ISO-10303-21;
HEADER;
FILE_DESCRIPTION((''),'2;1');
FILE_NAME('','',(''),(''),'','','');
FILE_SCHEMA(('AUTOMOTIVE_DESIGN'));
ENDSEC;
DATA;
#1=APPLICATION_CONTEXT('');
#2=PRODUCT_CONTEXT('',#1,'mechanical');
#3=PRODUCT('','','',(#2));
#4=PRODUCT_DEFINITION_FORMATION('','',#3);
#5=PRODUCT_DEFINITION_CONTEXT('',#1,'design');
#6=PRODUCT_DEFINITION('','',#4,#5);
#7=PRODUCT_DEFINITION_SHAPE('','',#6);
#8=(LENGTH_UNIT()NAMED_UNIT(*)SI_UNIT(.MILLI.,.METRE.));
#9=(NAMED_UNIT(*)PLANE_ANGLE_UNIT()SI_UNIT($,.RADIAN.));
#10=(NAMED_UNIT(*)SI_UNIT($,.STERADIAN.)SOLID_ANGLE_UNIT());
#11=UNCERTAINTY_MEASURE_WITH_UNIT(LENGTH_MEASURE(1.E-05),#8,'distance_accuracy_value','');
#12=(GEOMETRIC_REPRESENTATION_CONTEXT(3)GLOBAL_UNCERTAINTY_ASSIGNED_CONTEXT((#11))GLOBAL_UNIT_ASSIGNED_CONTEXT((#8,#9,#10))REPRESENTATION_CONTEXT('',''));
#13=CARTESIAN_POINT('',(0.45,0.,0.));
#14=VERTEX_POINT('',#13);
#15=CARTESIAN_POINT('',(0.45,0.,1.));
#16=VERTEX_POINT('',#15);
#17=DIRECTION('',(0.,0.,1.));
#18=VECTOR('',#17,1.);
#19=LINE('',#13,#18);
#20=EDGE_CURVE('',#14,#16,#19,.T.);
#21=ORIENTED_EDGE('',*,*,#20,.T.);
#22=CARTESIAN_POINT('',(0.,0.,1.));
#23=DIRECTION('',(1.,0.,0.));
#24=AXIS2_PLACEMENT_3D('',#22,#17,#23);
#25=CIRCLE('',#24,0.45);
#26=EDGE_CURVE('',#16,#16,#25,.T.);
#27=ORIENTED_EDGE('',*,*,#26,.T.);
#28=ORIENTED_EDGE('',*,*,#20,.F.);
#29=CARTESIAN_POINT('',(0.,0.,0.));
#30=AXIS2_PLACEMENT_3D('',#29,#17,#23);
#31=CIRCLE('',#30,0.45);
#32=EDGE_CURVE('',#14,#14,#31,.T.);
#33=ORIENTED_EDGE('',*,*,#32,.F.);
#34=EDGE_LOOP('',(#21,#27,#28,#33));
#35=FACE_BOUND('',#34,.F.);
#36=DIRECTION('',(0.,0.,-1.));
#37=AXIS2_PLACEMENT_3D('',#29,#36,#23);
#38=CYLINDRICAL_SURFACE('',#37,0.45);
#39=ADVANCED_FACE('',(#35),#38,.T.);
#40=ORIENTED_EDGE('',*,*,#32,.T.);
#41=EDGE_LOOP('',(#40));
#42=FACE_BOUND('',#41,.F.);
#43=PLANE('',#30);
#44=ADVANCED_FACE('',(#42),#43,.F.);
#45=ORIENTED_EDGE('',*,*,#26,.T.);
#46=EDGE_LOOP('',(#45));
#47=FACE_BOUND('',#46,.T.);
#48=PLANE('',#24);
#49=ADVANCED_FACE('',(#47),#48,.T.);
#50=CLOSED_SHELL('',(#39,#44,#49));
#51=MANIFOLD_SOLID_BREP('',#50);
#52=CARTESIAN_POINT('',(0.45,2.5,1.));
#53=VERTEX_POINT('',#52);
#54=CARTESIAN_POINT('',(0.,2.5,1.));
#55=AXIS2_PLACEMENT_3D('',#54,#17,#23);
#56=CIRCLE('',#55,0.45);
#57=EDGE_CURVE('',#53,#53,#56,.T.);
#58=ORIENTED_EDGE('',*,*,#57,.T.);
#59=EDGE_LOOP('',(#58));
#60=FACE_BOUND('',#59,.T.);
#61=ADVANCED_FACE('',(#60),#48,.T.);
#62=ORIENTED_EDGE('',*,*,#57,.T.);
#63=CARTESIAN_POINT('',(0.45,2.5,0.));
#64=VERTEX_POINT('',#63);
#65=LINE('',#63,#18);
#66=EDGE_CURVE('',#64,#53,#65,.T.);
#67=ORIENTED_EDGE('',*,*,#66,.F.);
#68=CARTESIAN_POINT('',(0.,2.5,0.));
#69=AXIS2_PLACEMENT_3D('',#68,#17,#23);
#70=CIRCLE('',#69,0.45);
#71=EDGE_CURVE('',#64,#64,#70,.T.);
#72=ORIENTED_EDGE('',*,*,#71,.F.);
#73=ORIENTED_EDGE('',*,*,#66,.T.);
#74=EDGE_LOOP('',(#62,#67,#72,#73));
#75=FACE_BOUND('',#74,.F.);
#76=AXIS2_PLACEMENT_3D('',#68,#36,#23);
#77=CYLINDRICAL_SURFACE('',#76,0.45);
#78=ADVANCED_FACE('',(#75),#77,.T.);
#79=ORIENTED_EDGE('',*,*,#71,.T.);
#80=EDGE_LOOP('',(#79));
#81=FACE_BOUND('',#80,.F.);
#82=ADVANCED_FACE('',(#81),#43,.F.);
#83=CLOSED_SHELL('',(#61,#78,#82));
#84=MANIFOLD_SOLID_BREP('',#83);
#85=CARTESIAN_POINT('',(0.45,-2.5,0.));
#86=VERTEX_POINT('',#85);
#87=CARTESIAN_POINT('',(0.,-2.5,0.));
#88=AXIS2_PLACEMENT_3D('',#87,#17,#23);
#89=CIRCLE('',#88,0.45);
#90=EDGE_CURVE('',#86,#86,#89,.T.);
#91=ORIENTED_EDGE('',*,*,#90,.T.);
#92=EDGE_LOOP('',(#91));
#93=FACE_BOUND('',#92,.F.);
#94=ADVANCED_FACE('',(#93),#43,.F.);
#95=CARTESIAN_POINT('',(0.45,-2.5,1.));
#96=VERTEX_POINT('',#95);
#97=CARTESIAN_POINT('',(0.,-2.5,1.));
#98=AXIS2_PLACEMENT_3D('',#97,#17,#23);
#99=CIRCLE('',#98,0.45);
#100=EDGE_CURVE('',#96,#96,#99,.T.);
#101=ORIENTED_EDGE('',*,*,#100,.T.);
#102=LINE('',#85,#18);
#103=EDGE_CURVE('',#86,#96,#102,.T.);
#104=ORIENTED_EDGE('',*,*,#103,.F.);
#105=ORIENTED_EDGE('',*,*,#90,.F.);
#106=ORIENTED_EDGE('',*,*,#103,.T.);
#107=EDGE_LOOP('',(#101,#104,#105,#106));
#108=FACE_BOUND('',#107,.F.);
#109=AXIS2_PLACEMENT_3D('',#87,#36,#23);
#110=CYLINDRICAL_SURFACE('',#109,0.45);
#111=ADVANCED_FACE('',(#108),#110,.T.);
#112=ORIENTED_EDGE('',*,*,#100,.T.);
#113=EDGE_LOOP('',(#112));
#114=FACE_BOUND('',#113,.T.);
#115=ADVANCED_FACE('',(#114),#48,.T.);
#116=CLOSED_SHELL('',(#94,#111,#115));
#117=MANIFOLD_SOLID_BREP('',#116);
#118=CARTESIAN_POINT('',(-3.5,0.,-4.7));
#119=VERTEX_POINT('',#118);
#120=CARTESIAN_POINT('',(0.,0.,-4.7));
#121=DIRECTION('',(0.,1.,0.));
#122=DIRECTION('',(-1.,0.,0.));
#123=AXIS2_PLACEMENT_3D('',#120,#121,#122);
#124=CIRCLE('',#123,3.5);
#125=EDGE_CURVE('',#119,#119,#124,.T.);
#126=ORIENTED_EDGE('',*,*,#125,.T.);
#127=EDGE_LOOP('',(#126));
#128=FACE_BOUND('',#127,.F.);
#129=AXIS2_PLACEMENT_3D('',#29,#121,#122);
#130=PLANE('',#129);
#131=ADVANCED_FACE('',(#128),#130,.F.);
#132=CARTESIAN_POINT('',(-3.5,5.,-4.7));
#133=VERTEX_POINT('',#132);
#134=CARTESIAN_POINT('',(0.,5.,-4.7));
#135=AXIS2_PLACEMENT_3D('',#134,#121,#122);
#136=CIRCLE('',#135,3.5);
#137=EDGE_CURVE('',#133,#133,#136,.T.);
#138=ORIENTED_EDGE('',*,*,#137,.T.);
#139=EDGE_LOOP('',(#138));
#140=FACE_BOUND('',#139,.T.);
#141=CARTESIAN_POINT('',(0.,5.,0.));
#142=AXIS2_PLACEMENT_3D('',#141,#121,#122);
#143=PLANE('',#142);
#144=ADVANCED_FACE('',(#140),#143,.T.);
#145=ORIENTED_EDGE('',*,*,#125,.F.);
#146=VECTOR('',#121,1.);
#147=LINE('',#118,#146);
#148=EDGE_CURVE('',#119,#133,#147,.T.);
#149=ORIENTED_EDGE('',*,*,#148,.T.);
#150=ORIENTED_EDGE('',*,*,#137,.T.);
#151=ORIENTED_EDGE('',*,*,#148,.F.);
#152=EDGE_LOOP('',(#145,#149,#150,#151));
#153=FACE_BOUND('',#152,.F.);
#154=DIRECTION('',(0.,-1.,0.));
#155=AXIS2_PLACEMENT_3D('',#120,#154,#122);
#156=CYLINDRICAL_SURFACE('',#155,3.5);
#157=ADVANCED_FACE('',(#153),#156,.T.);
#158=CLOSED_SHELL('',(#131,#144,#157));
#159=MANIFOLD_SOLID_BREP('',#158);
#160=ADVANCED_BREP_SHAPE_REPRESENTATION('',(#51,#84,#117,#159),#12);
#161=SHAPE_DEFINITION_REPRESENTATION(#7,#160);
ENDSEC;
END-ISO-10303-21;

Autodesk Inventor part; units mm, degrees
ref_plane "YZ Plane" through (0, 0, 0) normal (1, 0, 0) x (0, 1, 0)
ref_plane "XZ Plane" through (0, 0, 0) normal (0, 1, 0) x (-1, 0, 0)
ref_plane "XY Plane" through (0, 0, 0) normal (0, 0, 1) x (1, 0, 0)
sketch "Sketch1" plane through (0, 0, 0) normal (0, 0, 1) x (1, 0, 0)
  circle A0 centre (0, 2.5) radius 0.45
  circle A1 centre (0, -2.5) radius 0.45
  circle A2 centre (0, 0) radius 0.45
  dimension "d1" = 0.9
  dimension "d2" = 0.9
  dimension "d3" = 0.9
  dimension "d4" = 2.5
  dimension "d5" = 2.5
extrude "Extrusion1" add sketch "Sketch1" along normal blind 1
sketch "Sketch2" plane through (0, 0, 0) normal (0, 1, 0) x (-1, 0, 0)
  circle A0 centre (0, -4.7) radius 3.5
  line L0 (-0.45, 0) -> (0.45, 0) projected
  point P0 (0, 0)
  dimension "d8" = 7
  dimension "d9" = 4.7
extrude "Extrusion2" add sketch "Sketch2" along normal blind 5
properties part number "On-off pushbutton"
